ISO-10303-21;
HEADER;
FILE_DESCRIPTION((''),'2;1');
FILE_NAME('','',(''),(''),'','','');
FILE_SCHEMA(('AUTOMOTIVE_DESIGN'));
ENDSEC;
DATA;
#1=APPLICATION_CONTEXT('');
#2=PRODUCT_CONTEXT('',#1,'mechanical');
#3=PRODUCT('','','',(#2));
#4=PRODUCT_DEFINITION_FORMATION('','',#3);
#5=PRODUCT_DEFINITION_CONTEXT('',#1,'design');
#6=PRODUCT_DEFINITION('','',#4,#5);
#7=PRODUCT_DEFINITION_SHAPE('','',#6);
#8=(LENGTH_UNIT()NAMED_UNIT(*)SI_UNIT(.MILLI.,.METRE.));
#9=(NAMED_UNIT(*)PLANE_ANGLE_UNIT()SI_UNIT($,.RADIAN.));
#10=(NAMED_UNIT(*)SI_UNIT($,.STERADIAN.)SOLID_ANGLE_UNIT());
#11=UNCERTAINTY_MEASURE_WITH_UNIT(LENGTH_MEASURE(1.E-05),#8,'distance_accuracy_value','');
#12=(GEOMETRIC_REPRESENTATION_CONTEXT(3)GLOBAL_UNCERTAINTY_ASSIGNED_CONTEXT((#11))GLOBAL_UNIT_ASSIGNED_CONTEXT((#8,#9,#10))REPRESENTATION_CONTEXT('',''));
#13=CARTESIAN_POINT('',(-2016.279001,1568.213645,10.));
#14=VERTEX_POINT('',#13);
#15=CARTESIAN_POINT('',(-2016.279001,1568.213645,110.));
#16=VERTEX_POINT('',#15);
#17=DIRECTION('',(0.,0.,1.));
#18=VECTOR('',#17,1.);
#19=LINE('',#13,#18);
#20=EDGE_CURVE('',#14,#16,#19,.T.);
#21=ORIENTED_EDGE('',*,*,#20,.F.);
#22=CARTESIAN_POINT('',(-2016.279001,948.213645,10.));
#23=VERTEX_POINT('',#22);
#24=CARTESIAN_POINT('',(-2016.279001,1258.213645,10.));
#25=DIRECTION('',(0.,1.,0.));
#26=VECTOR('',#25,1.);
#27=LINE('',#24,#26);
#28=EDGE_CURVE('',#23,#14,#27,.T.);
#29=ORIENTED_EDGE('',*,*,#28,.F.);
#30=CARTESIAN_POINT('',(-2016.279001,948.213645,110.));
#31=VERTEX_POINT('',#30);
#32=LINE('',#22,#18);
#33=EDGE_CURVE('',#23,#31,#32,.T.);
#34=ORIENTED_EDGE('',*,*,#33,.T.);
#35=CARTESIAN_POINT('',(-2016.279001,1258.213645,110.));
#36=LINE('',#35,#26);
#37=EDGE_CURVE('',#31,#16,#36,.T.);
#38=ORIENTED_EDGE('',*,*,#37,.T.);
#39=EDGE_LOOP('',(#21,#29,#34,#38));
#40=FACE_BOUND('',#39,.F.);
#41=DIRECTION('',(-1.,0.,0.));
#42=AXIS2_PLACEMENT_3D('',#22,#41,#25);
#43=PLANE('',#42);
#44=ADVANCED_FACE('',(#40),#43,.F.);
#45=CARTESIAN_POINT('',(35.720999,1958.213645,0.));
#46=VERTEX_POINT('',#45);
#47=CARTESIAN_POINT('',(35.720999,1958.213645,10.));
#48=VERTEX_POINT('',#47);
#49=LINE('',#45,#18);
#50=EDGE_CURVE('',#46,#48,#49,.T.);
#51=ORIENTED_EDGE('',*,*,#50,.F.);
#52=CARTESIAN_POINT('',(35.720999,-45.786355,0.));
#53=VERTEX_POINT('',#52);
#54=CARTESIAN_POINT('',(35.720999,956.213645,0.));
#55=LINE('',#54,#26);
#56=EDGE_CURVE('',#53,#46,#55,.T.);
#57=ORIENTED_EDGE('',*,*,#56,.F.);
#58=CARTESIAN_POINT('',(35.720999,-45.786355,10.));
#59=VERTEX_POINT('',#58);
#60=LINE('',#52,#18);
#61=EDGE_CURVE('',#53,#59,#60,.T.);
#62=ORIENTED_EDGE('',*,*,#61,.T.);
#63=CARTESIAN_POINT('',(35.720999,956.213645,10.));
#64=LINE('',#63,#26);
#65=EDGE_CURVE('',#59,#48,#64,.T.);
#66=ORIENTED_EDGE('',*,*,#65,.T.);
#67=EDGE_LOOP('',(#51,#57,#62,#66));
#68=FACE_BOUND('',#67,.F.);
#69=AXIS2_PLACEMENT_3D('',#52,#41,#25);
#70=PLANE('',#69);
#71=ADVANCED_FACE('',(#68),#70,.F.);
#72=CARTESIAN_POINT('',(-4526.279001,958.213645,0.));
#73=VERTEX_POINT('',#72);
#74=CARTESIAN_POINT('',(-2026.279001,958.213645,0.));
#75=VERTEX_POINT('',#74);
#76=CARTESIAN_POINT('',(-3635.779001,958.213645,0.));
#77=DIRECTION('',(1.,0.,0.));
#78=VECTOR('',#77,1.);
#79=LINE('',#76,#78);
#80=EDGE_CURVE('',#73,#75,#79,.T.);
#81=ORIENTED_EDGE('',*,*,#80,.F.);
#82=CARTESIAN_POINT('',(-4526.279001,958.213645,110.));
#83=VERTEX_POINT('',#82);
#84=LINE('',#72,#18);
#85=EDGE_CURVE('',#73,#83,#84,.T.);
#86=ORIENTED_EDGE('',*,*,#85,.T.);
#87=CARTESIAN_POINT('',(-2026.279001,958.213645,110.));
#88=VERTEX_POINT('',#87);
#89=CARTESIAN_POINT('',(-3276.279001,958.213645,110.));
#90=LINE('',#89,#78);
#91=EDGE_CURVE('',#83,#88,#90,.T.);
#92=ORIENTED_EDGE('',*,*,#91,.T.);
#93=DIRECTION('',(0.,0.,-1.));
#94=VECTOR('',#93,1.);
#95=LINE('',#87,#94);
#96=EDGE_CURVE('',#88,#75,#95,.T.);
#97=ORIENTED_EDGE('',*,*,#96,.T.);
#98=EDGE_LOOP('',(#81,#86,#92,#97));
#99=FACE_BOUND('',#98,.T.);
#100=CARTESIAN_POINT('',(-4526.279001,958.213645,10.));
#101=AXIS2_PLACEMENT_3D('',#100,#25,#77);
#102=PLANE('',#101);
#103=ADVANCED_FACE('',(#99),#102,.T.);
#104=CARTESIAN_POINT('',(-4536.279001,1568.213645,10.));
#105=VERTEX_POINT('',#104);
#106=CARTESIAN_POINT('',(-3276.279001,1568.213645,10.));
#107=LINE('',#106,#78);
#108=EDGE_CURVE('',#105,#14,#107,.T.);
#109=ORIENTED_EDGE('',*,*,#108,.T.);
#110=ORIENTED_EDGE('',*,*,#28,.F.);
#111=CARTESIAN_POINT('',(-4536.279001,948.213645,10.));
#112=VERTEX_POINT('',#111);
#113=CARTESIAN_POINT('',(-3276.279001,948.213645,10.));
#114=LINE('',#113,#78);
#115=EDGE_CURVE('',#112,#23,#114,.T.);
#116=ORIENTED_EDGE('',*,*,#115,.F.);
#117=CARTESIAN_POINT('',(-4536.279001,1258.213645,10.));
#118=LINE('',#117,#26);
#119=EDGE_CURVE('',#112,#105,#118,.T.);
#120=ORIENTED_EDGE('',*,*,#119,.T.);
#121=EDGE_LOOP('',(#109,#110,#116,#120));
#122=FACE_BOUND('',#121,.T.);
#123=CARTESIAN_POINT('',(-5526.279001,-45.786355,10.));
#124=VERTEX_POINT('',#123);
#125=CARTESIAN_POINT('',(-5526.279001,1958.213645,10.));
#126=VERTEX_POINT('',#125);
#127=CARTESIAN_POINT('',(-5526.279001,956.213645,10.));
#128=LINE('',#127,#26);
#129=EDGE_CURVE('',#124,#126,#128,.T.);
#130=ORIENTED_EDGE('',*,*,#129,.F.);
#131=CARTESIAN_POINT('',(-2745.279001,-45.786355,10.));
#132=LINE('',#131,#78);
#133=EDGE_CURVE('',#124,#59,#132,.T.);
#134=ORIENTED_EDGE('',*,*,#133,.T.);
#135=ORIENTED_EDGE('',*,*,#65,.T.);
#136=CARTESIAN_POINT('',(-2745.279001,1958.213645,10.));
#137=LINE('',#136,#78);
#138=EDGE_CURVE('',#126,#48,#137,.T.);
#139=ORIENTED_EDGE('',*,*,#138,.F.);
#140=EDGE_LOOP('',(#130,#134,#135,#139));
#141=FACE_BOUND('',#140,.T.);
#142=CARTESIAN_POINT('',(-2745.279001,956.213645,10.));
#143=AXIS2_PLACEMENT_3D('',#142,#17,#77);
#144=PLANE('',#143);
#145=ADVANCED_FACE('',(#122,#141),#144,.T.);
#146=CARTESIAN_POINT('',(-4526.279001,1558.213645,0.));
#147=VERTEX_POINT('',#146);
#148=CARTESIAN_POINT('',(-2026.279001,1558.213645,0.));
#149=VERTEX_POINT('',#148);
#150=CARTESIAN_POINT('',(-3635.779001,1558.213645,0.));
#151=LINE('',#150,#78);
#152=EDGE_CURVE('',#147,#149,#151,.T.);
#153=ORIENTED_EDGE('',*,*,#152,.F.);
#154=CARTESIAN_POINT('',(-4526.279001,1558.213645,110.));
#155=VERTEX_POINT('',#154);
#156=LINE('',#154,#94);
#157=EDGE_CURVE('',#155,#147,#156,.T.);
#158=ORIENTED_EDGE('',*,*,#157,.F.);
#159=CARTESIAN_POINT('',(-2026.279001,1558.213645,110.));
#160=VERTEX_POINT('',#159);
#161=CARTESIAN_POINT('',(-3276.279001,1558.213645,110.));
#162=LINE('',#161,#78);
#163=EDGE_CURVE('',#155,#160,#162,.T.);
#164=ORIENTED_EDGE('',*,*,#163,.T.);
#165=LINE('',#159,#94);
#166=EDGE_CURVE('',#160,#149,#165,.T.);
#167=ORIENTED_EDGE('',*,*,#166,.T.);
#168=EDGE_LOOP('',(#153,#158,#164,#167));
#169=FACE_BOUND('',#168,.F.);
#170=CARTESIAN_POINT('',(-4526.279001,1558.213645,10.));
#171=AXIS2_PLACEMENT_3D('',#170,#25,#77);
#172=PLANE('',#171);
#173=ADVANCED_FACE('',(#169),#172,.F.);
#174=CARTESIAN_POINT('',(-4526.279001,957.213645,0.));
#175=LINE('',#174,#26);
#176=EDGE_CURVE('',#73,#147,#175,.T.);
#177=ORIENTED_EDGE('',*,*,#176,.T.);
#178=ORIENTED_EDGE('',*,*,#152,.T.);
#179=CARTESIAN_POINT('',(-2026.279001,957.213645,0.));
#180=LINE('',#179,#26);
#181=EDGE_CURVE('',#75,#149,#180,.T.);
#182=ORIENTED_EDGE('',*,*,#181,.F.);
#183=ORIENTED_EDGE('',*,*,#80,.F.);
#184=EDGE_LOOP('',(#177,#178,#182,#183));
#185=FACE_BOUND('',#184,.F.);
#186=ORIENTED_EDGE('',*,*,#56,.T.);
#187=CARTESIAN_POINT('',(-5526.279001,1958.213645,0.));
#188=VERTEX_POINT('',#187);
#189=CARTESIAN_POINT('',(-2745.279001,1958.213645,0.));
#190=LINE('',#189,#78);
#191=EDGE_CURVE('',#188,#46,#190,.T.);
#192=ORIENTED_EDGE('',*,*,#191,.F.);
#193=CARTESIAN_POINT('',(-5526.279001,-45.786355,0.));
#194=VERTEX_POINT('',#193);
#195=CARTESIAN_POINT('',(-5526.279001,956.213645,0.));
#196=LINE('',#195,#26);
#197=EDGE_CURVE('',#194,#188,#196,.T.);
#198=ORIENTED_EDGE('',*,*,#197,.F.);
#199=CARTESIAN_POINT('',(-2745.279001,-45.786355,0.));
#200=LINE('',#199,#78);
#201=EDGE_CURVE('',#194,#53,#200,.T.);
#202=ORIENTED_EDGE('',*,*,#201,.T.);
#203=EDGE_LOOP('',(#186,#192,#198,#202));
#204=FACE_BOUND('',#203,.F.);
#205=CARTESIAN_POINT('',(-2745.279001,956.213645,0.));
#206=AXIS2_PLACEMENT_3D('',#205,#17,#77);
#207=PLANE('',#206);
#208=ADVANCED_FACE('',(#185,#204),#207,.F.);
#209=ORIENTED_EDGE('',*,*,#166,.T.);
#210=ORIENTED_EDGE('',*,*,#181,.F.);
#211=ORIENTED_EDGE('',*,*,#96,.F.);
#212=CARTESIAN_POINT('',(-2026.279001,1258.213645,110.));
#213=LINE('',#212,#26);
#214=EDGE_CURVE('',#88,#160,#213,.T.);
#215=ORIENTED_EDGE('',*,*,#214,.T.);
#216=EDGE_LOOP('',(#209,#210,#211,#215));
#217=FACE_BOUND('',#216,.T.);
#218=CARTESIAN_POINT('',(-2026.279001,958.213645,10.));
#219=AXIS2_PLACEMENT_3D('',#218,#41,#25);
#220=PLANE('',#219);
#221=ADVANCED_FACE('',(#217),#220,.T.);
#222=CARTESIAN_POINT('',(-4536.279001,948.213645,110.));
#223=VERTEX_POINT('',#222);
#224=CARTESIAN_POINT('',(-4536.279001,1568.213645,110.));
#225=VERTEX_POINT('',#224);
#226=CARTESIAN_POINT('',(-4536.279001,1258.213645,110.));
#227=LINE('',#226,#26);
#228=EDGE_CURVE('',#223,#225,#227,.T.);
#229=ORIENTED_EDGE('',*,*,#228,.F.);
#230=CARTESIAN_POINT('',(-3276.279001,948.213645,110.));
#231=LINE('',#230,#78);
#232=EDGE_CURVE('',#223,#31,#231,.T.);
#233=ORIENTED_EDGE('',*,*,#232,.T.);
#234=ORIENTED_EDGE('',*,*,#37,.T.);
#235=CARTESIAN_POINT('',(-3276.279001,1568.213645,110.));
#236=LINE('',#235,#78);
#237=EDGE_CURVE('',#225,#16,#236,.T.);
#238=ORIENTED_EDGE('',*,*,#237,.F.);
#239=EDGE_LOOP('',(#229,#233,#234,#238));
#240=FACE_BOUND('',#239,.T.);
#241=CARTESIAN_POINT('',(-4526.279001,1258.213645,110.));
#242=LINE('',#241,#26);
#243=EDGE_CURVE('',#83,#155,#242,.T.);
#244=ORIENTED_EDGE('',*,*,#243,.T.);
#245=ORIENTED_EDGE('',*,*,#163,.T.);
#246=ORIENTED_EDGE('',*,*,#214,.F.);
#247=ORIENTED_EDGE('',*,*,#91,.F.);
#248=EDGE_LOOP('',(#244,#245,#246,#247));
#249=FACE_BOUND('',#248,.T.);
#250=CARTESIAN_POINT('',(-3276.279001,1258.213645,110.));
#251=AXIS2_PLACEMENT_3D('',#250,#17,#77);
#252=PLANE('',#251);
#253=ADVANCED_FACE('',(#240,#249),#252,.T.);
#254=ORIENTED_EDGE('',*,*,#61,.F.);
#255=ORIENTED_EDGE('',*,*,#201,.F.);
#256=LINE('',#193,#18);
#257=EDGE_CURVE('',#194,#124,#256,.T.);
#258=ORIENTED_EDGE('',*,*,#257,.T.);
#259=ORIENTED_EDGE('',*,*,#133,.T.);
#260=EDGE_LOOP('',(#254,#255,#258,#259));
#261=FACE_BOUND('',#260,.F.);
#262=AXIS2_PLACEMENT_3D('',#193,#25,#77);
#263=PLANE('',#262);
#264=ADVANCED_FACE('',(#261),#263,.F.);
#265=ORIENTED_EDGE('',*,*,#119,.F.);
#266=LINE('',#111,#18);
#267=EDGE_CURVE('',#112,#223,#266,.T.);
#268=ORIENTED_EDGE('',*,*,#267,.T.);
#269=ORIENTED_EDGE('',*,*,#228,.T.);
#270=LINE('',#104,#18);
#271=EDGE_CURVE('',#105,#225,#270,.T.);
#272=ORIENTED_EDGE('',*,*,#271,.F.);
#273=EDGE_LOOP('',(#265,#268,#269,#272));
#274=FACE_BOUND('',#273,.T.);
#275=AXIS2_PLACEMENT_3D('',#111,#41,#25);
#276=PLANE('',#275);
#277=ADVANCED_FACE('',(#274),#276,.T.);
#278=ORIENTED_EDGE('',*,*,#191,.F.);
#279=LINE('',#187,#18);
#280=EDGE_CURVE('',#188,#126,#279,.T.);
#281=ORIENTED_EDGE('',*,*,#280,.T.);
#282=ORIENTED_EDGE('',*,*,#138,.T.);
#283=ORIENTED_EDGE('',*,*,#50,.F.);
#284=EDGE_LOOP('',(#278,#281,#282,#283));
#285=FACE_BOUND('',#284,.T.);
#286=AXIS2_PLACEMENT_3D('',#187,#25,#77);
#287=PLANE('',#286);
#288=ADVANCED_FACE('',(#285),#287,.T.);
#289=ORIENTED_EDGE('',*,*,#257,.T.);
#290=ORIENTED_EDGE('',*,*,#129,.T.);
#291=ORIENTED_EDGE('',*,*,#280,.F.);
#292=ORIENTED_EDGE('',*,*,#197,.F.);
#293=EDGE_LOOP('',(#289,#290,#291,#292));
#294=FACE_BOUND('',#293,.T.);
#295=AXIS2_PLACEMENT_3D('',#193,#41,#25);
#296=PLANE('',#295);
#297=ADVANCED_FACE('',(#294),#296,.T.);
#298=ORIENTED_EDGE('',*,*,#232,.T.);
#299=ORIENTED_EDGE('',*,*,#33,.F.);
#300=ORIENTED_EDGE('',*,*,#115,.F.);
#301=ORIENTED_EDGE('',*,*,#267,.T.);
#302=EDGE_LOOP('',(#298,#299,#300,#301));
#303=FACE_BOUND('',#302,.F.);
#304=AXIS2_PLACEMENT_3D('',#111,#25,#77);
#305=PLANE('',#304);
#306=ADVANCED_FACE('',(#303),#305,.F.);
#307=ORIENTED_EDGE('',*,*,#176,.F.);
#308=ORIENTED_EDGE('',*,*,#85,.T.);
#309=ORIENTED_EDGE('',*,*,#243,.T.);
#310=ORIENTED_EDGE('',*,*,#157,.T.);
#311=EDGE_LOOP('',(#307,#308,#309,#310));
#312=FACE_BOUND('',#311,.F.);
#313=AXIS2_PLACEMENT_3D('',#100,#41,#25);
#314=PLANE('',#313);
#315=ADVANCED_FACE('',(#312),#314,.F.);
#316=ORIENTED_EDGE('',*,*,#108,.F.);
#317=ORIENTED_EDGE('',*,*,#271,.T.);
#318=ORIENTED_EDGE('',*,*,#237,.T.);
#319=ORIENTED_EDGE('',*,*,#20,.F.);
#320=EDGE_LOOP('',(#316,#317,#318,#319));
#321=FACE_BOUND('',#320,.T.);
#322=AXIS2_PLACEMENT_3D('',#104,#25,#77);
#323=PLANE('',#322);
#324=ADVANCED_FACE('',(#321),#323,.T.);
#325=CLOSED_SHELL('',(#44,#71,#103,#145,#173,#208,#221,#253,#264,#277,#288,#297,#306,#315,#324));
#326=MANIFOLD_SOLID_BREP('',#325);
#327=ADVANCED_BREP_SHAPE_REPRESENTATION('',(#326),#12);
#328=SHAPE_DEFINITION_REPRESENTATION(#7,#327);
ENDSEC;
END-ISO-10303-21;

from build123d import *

# Parameters (mm, degrees)
F0_W     = 5562
F0_H     = 2004
F1_DEPTH = 10
F2_W     = 2500
F2_H     = 600
F3_DEPTH = 25
F4_W     = 2520
F4_H     = 620
F4_W_2   = 2500
F4_H_2   = 600
F5_DEPTH = 100


with BuildPart() as f1:
    # F0 (on Top) → F1 (new body)
    with BuildSketch(Plane.XY):
        with Locations((-2745.279001, 956.213645)):
            Rectangle(F0_W, F0_H)
    extrude(amount=F1_DEPTH)

    # F2 (on face) → F3 (cut)
    with BuildSketch(Plane.XY.offset(10)):
        with Locations((-3276.279001, 1258.213645)):
            Rectangle(F2_W, F2_H)
    extrude(amount=-F3_DEPTH, mode=Mode.SUBTRACT)

    # F4 (on face) → F5 (join)
    with BuildSketch(Plane.XY.offset(10)):
        with Locations((-3276.279001, 1258.213645)):
            Rectangle(F4_W, F4_H)
        with Locations((-3276.279001, 1258.213645)):
            Rectangle(F4_W_2, F4_H_2, mode=Mode.SUBTRACT)
    extrude(amount=F5_DEPTH)


solid = f1.part
